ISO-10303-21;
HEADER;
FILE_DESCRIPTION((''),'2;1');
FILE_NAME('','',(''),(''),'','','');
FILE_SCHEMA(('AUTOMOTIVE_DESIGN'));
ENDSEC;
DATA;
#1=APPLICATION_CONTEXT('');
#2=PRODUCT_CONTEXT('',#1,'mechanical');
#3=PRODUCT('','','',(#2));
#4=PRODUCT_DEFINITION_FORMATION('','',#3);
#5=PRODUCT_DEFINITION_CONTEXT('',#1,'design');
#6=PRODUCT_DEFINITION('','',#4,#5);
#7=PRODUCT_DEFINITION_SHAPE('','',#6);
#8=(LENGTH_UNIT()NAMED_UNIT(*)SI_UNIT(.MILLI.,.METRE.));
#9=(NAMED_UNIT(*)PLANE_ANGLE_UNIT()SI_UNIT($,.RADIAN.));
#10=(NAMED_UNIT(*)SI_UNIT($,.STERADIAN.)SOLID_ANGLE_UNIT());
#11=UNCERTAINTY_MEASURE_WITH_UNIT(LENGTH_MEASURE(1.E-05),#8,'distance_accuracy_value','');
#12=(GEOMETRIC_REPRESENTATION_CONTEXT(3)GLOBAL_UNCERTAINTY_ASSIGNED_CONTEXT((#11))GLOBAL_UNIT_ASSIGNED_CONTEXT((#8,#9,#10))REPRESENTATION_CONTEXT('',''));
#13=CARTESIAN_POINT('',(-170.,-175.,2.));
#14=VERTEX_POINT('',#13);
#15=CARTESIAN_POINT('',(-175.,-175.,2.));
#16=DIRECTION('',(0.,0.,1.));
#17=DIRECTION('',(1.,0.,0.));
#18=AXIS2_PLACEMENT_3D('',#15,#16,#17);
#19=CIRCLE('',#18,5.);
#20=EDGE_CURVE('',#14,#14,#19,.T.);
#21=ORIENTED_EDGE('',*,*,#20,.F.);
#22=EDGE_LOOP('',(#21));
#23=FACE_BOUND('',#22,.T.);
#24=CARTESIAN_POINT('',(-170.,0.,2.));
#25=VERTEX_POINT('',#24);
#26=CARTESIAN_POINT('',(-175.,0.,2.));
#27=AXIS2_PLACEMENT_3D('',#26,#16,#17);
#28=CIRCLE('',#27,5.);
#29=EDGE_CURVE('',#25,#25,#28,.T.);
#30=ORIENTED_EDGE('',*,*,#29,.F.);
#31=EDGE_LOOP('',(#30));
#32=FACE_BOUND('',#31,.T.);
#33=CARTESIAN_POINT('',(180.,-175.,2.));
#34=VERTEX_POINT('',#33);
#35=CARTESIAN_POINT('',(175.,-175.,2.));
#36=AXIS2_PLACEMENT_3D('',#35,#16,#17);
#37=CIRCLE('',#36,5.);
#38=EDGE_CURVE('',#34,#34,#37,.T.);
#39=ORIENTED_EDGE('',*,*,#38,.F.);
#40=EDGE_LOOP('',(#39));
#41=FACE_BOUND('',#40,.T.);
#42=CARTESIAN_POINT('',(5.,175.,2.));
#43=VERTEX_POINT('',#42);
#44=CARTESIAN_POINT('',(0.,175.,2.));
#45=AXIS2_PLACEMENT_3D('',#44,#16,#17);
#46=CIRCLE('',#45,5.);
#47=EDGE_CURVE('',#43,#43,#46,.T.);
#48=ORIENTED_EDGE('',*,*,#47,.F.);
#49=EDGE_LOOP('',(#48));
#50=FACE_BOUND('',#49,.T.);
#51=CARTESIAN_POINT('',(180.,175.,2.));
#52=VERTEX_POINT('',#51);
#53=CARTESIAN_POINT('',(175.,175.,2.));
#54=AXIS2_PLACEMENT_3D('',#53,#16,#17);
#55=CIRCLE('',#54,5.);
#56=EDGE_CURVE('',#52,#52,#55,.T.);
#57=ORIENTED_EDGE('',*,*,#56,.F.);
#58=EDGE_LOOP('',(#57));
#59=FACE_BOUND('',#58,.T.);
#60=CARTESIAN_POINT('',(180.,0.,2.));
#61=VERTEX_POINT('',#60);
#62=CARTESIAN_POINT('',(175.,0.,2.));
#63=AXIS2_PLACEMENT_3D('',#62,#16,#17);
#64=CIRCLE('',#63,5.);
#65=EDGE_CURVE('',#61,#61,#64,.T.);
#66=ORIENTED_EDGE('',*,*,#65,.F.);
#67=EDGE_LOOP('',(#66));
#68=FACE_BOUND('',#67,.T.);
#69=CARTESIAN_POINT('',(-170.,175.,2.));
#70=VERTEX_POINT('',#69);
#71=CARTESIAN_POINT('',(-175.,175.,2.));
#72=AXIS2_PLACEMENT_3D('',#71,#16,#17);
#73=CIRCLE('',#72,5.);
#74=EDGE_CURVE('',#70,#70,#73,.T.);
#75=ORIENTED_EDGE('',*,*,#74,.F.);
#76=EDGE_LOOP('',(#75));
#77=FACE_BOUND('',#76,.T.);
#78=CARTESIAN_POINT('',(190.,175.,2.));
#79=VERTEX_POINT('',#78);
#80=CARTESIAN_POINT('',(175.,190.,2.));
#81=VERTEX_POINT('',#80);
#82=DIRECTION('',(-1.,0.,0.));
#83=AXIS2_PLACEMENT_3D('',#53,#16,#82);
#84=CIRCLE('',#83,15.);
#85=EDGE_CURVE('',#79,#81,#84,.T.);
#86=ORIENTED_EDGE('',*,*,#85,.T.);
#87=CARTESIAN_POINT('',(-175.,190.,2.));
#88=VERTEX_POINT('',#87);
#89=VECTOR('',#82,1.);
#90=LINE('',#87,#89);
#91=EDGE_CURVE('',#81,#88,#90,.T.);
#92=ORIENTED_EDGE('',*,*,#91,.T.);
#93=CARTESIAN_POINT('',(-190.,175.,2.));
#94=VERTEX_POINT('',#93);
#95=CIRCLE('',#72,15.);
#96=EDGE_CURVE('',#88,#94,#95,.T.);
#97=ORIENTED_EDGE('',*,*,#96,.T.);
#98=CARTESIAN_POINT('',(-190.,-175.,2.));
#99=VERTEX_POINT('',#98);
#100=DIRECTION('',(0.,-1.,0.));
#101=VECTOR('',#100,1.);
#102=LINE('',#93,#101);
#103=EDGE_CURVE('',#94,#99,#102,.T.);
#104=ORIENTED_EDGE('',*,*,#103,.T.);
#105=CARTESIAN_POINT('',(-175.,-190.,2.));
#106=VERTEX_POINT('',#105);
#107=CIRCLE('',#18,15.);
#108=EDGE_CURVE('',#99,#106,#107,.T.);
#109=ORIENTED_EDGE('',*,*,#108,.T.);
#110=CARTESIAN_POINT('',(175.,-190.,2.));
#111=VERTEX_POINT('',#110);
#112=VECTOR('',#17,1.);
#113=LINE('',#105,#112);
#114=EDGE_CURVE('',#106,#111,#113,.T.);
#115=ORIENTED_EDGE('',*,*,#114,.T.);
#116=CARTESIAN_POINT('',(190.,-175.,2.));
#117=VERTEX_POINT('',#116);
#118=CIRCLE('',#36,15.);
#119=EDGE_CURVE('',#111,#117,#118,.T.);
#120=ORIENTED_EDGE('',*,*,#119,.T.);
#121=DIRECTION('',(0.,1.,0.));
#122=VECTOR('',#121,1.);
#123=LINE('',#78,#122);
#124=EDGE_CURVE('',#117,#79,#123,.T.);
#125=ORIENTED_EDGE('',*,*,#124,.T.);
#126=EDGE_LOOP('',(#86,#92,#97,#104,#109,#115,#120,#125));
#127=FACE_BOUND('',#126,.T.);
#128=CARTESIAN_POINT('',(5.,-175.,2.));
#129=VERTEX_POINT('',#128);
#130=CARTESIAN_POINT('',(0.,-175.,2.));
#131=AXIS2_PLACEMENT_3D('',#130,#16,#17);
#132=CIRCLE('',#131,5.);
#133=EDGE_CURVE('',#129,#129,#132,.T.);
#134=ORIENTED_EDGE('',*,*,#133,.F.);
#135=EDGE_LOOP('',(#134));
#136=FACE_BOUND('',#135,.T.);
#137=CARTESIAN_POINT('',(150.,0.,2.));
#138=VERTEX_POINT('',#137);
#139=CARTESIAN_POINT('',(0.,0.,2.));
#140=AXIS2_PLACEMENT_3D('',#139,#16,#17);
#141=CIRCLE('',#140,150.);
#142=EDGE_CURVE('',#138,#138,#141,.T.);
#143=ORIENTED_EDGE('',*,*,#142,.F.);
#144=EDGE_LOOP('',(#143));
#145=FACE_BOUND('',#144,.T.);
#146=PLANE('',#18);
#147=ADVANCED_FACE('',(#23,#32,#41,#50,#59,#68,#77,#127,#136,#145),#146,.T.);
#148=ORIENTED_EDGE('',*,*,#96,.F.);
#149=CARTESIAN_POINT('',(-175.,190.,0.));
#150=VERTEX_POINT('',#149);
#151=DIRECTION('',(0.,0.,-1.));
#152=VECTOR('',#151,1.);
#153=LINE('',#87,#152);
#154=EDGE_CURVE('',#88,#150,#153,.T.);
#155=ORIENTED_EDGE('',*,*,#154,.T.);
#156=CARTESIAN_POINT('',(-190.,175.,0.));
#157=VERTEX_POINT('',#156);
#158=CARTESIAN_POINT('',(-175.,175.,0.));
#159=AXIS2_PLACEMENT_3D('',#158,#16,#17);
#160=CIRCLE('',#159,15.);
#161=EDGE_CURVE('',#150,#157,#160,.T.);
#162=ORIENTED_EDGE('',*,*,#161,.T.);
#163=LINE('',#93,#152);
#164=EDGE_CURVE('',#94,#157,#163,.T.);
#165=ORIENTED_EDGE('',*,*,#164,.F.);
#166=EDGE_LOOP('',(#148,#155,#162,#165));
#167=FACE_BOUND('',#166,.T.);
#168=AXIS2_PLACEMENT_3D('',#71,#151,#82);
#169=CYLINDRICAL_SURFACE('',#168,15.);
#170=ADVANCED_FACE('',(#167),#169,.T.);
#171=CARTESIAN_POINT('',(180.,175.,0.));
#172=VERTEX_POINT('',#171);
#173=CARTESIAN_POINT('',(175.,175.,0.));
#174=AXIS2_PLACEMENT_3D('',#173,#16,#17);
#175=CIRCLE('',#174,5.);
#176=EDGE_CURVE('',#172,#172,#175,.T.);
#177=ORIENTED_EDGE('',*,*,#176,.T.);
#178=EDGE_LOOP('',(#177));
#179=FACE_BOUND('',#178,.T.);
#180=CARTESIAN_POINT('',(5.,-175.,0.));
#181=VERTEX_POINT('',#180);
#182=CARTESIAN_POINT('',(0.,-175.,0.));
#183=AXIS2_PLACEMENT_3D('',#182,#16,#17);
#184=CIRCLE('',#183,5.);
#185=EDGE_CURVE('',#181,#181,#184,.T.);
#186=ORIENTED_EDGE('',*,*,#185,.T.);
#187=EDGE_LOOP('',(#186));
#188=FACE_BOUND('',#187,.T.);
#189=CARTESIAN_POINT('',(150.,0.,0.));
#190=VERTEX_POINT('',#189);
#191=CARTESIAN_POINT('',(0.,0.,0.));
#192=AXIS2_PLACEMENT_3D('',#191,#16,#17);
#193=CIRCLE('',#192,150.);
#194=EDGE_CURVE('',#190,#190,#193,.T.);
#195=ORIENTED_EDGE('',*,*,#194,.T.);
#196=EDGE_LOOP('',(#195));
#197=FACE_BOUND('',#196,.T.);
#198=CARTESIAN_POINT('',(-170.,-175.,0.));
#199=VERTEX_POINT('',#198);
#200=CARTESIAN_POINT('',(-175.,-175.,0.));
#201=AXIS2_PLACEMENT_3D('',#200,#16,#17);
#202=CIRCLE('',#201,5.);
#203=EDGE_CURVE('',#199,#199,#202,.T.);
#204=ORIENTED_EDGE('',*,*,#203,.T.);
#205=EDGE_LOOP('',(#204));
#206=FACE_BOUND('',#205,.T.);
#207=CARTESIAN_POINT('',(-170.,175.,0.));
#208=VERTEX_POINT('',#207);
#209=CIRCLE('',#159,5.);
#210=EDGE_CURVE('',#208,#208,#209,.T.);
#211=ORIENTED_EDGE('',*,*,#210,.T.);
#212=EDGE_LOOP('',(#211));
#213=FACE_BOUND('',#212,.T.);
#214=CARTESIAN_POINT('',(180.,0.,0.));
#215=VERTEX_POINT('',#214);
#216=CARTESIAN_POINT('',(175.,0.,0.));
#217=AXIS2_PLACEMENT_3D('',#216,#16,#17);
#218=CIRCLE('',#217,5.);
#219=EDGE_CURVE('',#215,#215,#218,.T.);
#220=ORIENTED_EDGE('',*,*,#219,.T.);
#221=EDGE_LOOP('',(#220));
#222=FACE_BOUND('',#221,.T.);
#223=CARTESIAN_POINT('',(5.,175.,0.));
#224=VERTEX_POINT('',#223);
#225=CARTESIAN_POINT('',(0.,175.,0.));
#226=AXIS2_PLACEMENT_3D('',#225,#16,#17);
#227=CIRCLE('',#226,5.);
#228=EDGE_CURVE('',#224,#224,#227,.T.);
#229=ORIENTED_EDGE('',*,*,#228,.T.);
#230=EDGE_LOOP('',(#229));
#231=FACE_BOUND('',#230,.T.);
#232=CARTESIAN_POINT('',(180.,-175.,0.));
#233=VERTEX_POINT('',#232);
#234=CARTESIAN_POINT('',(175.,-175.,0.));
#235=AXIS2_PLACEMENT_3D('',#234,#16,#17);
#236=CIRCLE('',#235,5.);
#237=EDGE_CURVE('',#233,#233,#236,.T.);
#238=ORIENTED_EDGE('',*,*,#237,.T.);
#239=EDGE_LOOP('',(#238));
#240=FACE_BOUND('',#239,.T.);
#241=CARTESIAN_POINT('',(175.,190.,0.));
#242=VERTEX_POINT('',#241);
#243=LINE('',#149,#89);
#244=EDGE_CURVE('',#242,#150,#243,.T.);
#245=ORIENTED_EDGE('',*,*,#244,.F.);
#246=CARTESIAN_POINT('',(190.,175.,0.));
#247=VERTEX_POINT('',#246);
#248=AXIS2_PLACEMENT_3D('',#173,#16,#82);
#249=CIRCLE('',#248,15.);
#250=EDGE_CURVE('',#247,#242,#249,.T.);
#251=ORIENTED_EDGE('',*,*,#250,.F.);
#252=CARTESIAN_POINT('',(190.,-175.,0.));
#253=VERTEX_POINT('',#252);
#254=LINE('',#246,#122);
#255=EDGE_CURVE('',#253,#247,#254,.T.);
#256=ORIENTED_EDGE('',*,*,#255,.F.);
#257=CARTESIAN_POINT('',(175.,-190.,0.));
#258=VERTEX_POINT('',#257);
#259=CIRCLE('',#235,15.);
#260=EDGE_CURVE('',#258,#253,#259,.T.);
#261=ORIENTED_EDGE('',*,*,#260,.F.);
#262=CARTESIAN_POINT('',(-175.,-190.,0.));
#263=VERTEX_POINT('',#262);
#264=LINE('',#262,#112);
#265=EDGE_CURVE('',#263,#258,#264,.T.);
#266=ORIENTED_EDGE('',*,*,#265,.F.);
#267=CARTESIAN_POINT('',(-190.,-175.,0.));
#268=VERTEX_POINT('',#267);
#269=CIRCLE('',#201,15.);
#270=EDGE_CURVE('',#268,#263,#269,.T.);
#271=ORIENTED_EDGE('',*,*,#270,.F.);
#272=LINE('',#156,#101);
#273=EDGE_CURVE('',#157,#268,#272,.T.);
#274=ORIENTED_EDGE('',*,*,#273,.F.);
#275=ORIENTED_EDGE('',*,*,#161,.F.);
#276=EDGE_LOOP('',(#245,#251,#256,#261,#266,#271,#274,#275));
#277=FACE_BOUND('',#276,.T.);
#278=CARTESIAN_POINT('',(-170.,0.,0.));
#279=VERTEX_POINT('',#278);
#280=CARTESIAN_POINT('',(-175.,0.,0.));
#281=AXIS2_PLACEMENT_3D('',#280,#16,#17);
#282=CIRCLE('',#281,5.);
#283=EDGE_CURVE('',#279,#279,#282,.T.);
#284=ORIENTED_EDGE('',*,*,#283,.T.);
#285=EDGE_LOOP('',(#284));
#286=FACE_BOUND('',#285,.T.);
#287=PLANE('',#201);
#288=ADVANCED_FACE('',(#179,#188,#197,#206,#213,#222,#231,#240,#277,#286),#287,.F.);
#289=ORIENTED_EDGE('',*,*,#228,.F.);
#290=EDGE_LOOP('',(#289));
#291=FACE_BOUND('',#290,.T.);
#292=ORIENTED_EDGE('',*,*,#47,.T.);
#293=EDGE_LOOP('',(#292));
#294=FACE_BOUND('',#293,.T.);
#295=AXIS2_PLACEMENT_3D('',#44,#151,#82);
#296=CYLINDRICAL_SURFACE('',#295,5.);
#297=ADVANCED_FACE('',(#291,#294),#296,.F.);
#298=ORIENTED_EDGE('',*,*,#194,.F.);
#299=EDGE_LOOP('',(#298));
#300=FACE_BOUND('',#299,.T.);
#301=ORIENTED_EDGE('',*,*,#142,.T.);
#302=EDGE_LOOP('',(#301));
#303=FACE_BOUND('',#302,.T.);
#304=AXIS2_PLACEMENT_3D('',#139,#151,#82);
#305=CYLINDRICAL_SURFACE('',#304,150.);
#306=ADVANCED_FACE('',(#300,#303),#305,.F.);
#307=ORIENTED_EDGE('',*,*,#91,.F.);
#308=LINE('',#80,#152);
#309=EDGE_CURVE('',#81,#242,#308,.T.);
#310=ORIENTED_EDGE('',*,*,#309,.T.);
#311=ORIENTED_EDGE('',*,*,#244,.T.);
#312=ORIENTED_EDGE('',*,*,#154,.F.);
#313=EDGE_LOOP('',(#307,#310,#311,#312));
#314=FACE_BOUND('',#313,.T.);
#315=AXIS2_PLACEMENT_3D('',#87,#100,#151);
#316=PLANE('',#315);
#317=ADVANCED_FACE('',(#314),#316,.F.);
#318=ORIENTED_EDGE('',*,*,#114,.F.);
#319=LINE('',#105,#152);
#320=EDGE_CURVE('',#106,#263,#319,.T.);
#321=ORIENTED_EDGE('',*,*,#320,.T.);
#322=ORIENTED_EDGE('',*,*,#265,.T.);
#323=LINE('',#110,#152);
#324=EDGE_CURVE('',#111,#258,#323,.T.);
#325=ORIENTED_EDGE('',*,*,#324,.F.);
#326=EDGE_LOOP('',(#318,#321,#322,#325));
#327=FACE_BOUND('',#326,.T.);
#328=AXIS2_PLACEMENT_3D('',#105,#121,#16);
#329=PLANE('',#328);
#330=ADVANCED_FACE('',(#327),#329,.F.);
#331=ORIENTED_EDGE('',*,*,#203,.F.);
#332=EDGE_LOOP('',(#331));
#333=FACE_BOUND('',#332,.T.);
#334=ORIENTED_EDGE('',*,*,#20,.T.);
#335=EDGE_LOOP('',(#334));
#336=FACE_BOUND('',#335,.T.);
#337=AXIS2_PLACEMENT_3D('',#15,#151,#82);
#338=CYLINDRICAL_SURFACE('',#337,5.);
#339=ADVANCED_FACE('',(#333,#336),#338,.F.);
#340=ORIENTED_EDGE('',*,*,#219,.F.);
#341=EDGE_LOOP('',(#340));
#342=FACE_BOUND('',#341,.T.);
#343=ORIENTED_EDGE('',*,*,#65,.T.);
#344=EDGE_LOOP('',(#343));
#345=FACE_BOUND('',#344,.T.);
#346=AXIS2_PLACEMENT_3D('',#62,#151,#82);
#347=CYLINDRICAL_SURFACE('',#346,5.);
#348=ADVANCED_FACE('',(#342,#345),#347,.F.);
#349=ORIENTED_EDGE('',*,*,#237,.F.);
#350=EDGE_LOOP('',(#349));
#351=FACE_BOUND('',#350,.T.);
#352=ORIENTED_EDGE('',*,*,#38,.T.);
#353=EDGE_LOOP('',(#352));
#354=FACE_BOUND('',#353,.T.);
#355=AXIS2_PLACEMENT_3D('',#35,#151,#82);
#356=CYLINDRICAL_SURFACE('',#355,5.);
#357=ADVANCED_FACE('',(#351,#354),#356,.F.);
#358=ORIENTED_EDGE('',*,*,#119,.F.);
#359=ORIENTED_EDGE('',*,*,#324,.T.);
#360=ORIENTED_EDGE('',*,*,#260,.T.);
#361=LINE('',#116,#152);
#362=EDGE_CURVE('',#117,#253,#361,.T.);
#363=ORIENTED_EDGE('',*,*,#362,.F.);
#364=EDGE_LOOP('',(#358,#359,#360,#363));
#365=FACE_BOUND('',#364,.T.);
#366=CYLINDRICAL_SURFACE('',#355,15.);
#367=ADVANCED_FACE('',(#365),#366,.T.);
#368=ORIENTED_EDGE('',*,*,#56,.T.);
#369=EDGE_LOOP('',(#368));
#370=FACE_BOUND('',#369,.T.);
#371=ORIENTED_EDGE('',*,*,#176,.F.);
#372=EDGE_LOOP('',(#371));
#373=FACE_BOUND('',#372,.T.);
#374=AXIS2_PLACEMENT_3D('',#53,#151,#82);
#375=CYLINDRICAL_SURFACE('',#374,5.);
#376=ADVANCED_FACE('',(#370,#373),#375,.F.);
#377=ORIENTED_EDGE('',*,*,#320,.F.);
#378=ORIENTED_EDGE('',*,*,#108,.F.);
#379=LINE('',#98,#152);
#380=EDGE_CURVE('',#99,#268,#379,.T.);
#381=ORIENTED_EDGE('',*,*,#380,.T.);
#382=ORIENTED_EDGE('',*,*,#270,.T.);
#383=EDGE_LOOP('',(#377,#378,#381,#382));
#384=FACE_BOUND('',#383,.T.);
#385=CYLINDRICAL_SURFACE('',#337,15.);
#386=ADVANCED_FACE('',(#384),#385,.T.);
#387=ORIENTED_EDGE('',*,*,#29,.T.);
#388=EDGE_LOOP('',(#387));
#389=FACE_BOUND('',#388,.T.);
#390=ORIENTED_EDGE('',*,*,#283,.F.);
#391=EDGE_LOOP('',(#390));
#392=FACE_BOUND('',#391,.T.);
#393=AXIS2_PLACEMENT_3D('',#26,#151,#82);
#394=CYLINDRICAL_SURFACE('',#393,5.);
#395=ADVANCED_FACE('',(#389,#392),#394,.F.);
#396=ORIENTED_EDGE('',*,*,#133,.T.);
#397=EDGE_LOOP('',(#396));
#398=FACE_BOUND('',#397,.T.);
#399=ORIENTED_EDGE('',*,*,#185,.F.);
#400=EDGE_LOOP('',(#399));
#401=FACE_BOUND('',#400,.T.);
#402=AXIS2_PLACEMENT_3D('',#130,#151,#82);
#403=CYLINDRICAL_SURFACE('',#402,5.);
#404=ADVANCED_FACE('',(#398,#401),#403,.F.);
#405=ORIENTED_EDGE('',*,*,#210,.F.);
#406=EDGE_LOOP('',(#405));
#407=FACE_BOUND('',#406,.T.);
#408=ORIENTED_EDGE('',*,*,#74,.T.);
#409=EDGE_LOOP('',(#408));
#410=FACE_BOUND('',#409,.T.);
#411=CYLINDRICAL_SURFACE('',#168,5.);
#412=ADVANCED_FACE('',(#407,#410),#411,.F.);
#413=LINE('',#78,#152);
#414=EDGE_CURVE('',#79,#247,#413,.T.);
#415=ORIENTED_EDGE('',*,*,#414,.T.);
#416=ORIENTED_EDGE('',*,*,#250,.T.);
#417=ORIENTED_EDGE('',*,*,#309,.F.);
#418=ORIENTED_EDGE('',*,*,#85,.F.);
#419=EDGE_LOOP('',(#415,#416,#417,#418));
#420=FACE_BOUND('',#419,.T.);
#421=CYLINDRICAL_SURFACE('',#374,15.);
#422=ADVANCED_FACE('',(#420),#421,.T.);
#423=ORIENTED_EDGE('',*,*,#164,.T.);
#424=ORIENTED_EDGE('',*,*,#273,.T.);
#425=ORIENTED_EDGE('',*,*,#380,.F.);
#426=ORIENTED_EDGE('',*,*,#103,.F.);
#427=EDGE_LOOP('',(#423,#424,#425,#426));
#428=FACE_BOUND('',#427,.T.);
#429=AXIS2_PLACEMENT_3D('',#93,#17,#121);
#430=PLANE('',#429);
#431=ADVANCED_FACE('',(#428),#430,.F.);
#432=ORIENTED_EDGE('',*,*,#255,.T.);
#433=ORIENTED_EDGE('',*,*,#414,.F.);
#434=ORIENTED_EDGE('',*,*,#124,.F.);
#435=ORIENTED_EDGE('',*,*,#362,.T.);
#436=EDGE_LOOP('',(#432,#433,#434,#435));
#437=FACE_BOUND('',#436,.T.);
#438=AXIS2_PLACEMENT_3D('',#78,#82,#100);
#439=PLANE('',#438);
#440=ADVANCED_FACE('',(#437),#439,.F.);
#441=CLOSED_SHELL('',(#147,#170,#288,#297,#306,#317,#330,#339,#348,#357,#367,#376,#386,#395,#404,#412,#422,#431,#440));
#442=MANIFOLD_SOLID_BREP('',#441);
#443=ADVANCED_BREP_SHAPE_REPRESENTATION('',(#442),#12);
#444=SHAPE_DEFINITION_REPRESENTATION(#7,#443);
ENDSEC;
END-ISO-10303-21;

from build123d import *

# Parameters (mm, degrees)
SKETCH2_R           = 5
SKETCH2_R_2         = 150
BOSS_EXTRUDE1_DEPTH = 2


with BuildPart() as part:
    # Sketch2 → Boss-Extrude1 (new body)
    with BuildSketch(Plane.XY):
        with BuildLine():
            Line((-175, 190), (175, 190))
            ThreePointArc((175, 190), (185.606601718, 185.606601718), (190, 175))
            Line((190, 175), (190, -175))
            ThreePointArc((190, -175), (185.606601718, -185.606601718), (175, -190))
            Line((175, -190), (-175, -190))
            ThreePointArc((-175, -190), (-185.606601718, -185.606601718), (-190, -175))
            Line((-190, -175), (-190, 175))
            ThreePointArc((-190, 175), (-185.606601718, 185.606601718), (-175, 190))
        make_face()
        with Locations((-175, 175)):
            Circle(SKETCH2_R, mode=Mode.SUBTRACT)
        with Locations((0, 175)):
            Circle(SKETCH2_R, mode=Mode.SUBTRACT)
        with Locations((175, 175)):
            Circle(SKETCH2_R, mode=Mode.SUBTRACT)
        with Locations((175, 0)):
            Circle(SKETCH2_R, mode=Mode.SUBTRACT)
        with Locations((-175, 0)):
            Circle(SKETCH2_R, mode=Mode.SUBTRACT)
        with Locations((-175, -175)):
            Circle(SKETCH2_R, mode=Mode.SUBTRACT)
        with Locations((0, -175)):
            Circle(SKETCH2_R, mode=Mode.SUBTRACT)
        with Locations((175, -175)):
            Circle(SKETCH2_R, mode=Mode.SUBTRACT)
        Circle(SKETCH2_R_2, mode=Mode.SUBTRACT)
    extrude(amount=BOSS_EXTRUDE1_DEPTH)


solid = part.part
